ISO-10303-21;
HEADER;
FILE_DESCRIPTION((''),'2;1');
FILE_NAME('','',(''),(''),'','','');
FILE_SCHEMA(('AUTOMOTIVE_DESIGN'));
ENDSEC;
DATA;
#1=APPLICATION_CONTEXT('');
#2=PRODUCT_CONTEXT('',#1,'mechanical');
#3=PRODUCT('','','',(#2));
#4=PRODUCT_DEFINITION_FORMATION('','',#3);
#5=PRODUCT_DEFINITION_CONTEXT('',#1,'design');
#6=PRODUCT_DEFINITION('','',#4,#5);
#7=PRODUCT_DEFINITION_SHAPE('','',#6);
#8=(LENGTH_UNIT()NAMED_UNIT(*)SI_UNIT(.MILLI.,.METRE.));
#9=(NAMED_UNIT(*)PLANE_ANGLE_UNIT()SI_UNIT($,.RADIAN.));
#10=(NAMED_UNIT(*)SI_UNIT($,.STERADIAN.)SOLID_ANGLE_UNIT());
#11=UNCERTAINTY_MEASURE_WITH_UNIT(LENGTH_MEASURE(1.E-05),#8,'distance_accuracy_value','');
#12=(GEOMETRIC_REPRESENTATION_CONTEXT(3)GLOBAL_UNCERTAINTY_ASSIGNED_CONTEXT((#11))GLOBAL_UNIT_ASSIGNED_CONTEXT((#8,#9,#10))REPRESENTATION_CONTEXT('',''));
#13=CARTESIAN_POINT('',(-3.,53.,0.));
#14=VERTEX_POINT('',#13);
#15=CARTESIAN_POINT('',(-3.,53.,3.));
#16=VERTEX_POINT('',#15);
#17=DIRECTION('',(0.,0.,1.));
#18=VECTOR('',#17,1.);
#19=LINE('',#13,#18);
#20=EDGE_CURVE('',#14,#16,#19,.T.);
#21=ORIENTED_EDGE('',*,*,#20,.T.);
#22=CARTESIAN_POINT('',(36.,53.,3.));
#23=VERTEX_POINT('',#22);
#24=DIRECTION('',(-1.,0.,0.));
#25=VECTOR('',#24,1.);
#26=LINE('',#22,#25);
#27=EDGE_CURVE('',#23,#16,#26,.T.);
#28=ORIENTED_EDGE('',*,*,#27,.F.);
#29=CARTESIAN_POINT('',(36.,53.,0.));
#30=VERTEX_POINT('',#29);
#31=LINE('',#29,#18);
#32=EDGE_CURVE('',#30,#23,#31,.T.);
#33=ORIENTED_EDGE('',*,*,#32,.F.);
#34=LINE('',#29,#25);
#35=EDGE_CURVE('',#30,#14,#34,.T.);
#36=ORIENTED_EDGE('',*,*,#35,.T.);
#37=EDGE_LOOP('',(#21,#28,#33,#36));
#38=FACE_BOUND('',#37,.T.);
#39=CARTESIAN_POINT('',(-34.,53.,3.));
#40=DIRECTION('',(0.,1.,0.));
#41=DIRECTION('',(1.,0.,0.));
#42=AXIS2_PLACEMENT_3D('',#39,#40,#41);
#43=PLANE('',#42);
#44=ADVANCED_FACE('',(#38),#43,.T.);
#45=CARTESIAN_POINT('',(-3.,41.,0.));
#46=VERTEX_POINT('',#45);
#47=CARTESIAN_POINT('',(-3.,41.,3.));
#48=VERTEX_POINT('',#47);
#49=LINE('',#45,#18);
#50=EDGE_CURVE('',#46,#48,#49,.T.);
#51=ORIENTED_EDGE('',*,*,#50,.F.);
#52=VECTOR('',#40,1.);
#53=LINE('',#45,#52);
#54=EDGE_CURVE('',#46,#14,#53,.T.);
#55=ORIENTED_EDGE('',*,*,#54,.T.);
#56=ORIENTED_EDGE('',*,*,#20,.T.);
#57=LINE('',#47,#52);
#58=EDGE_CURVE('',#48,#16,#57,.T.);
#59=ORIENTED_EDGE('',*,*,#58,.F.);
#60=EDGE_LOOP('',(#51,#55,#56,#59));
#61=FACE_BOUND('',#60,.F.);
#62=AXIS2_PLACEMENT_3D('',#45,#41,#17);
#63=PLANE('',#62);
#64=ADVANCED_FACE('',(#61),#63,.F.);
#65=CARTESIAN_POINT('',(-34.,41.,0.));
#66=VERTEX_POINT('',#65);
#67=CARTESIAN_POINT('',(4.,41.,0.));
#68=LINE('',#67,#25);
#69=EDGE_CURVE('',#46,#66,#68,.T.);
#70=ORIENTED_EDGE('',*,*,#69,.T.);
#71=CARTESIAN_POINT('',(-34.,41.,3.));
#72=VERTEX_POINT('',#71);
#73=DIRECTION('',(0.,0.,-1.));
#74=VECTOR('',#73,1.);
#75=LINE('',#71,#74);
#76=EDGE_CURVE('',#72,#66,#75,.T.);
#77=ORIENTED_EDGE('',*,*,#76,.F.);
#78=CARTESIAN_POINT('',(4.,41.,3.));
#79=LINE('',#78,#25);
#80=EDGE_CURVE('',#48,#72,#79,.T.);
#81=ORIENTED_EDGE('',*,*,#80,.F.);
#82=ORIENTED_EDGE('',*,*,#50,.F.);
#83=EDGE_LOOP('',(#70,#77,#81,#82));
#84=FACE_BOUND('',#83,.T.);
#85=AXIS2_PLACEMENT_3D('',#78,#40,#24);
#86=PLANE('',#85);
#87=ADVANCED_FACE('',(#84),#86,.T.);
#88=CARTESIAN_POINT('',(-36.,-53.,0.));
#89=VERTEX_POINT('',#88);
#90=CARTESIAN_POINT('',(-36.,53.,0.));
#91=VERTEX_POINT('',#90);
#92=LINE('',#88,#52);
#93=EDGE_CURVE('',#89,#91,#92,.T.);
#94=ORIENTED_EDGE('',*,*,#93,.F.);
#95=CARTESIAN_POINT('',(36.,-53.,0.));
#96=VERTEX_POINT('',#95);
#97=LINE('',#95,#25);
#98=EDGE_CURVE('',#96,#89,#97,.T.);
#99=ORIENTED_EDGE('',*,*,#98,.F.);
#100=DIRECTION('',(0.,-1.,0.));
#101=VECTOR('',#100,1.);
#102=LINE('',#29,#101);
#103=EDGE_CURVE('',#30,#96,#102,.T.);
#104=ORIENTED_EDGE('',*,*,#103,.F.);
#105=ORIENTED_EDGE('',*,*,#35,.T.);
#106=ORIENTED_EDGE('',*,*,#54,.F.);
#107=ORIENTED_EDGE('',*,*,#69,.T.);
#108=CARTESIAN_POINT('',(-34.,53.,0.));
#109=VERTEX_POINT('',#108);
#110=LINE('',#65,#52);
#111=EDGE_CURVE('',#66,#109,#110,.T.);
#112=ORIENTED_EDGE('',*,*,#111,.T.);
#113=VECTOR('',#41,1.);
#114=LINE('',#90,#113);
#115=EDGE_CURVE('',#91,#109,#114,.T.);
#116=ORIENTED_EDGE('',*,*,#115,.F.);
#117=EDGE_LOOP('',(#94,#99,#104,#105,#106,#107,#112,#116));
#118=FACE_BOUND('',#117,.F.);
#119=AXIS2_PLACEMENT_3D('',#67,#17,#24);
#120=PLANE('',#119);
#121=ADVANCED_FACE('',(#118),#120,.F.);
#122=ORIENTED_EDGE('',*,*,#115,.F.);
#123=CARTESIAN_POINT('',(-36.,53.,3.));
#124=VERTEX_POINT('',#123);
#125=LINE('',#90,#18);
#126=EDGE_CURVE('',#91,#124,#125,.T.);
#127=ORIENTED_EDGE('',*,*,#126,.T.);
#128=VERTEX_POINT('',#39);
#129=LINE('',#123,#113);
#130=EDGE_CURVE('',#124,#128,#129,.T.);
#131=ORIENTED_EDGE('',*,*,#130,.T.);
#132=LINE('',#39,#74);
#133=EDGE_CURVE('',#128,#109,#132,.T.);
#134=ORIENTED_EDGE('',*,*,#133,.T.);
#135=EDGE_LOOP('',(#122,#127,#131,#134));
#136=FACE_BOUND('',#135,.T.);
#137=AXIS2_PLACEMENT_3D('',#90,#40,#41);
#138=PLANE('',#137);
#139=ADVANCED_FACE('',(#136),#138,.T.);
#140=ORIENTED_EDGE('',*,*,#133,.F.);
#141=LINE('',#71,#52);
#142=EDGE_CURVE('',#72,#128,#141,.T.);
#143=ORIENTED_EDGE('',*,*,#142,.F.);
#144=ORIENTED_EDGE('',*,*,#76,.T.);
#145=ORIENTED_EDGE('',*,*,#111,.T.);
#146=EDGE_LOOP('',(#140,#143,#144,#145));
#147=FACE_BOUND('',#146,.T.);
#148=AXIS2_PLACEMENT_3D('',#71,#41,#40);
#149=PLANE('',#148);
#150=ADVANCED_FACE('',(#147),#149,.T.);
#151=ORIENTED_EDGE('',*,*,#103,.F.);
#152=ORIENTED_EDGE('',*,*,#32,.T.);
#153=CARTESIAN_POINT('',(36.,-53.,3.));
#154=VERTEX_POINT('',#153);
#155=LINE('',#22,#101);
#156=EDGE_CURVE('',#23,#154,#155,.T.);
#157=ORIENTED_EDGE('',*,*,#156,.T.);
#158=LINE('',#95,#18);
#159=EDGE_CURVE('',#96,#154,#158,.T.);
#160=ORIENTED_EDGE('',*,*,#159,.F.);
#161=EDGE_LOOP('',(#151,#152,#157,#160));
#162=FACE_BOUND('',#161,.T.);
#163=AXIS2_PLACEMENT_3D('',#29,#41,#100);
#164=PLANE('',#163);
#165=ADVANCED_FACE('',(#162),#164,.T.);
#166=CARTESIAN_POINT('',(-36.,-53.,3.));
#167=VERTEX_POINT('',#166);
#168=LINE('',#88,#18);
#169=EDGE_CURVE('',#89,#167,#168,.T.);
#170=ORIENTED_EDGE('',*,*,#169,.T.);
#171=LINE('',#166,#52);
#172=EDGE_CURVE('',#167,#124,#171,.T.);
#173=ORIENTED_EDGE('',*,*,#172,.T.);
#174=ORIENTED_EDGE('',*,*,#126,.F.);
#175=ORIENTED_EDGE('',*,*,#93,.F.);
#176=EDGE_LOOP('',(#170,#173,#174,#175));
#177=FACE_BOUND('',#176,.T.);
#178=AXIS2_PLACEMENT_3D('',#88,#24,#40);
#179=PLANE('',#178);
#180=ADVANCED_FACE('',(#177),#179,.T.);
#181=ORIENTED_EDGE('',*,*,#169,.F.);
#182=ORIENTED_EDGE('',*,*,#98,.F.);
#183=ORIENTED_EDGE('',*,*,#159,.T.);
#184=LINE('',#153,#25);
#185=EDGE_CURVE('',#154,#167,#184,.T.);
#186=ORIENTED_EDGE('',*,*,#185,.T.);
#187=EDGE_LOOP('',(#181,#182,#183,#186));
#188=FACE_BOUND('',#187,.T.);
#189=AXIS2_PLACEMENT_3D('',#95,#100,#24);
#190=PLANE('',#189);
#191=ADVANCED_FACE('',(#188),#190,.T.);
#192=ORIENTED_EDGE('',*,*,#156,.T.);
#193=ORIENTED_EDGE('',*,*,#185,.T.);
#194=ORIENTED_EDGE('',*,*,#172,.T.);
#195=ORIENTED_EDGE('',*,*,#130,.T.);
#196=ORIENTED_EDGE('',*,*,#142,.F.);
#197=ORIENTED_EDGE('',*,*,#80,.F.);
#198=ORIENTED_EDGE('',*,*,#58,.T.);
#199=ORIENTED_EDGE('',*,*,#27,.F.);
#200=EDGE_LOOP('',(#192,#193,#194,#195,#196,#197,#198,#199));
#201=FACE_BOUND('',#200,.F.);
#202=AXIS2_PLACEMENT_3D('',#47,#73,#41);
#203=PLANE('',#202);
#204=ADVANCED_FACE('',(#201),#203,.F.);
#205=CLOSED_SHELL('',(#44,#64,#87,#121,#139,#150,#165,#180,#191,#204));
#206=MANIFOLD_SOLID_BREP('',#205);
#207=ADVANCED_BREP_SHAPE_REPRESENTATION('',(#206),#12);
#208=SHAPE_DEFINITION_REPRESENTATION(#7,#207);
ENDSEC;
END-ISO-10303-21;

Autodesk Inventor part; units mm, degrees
ref_plane "YZ Plane" through (0, 0, 0) normal (1, 0, 0) x (0, 1, 0)
ref_plane "XZ Plane" through (0, 0, 0) normal (0, 1, 0) x (-1, 0, 0)
ref_plane "XY Plane" through (0, 0, 0) normal (0, 0, 1) x (1, 0, 0)
sketch "Sketch1" plane through (0, 0, 0) normal (0, 0, 1) x (1, 0, 0)
  line L0 (-36, 53) -> (36, 53)
  line L1 (36, 53) -> (36, -53)
  line L2 (36, -53) -> (-36, -53)
  line L3 (-36, -53) -> (-36, 53)
  line L4 (-36, 53) -> (36, -53) construction
  line L5 (36, 53) -> (-36, -53) construction
  point P0 (0, 0)
  dimension "d0" = 72
  dimension "d1" = 106
extrude "Extrusion1" add sketch "Sketch1" along normal blind 3
sketch "Sketch2" plane through (0, 0, 3) normal (0, 0, 1) x (1, 0, 0)
  line L0 (-34, 53) -> (4, 53)
  line L1 (4, 53) -> (4, 41)
  line L2 (4, 41) -> (-34, 41)
  line L3 (-34, 41) -> (-34, 53)
  line L4 (36, 53) -> (-36, 53) projected
  line L5 (-36, 53) -> (-36, -53) projected
  point P0 (0, 0)
  dimension "d4" = 0
  dimension "d5" = 2
  dimension "d6" = 12
  dimension "d7" = 38
extrude "Extrusion2" cut sketch "Sketch2" against normal blind 3
sketch "Sketch3" plane through (4, 41, 3) normal (-1, 0, 0) x (0, 0, 1)
  point P0 (-3, -41)
sketch "Sketch7" plane through (-34, 41, 3) normal (0, 1, 0) x (1, 0, 0)
  line L0 (38, 3) -> (38, 0) projected
  line L1 (38, 3) -> (31, 3)
  line L2 (31, 3) -> (31, 0)
  line L3 (31, 0) -> (38, 0)
  line L4 (38, 0) -> (38, 3)
  point P0 (34, 3)
  dimension "d18" = 7
  dimension "d19" = 3
extrude "Extrusion5" add sketch "Sketch7" along normal blind 12
properties part number "Lid"
